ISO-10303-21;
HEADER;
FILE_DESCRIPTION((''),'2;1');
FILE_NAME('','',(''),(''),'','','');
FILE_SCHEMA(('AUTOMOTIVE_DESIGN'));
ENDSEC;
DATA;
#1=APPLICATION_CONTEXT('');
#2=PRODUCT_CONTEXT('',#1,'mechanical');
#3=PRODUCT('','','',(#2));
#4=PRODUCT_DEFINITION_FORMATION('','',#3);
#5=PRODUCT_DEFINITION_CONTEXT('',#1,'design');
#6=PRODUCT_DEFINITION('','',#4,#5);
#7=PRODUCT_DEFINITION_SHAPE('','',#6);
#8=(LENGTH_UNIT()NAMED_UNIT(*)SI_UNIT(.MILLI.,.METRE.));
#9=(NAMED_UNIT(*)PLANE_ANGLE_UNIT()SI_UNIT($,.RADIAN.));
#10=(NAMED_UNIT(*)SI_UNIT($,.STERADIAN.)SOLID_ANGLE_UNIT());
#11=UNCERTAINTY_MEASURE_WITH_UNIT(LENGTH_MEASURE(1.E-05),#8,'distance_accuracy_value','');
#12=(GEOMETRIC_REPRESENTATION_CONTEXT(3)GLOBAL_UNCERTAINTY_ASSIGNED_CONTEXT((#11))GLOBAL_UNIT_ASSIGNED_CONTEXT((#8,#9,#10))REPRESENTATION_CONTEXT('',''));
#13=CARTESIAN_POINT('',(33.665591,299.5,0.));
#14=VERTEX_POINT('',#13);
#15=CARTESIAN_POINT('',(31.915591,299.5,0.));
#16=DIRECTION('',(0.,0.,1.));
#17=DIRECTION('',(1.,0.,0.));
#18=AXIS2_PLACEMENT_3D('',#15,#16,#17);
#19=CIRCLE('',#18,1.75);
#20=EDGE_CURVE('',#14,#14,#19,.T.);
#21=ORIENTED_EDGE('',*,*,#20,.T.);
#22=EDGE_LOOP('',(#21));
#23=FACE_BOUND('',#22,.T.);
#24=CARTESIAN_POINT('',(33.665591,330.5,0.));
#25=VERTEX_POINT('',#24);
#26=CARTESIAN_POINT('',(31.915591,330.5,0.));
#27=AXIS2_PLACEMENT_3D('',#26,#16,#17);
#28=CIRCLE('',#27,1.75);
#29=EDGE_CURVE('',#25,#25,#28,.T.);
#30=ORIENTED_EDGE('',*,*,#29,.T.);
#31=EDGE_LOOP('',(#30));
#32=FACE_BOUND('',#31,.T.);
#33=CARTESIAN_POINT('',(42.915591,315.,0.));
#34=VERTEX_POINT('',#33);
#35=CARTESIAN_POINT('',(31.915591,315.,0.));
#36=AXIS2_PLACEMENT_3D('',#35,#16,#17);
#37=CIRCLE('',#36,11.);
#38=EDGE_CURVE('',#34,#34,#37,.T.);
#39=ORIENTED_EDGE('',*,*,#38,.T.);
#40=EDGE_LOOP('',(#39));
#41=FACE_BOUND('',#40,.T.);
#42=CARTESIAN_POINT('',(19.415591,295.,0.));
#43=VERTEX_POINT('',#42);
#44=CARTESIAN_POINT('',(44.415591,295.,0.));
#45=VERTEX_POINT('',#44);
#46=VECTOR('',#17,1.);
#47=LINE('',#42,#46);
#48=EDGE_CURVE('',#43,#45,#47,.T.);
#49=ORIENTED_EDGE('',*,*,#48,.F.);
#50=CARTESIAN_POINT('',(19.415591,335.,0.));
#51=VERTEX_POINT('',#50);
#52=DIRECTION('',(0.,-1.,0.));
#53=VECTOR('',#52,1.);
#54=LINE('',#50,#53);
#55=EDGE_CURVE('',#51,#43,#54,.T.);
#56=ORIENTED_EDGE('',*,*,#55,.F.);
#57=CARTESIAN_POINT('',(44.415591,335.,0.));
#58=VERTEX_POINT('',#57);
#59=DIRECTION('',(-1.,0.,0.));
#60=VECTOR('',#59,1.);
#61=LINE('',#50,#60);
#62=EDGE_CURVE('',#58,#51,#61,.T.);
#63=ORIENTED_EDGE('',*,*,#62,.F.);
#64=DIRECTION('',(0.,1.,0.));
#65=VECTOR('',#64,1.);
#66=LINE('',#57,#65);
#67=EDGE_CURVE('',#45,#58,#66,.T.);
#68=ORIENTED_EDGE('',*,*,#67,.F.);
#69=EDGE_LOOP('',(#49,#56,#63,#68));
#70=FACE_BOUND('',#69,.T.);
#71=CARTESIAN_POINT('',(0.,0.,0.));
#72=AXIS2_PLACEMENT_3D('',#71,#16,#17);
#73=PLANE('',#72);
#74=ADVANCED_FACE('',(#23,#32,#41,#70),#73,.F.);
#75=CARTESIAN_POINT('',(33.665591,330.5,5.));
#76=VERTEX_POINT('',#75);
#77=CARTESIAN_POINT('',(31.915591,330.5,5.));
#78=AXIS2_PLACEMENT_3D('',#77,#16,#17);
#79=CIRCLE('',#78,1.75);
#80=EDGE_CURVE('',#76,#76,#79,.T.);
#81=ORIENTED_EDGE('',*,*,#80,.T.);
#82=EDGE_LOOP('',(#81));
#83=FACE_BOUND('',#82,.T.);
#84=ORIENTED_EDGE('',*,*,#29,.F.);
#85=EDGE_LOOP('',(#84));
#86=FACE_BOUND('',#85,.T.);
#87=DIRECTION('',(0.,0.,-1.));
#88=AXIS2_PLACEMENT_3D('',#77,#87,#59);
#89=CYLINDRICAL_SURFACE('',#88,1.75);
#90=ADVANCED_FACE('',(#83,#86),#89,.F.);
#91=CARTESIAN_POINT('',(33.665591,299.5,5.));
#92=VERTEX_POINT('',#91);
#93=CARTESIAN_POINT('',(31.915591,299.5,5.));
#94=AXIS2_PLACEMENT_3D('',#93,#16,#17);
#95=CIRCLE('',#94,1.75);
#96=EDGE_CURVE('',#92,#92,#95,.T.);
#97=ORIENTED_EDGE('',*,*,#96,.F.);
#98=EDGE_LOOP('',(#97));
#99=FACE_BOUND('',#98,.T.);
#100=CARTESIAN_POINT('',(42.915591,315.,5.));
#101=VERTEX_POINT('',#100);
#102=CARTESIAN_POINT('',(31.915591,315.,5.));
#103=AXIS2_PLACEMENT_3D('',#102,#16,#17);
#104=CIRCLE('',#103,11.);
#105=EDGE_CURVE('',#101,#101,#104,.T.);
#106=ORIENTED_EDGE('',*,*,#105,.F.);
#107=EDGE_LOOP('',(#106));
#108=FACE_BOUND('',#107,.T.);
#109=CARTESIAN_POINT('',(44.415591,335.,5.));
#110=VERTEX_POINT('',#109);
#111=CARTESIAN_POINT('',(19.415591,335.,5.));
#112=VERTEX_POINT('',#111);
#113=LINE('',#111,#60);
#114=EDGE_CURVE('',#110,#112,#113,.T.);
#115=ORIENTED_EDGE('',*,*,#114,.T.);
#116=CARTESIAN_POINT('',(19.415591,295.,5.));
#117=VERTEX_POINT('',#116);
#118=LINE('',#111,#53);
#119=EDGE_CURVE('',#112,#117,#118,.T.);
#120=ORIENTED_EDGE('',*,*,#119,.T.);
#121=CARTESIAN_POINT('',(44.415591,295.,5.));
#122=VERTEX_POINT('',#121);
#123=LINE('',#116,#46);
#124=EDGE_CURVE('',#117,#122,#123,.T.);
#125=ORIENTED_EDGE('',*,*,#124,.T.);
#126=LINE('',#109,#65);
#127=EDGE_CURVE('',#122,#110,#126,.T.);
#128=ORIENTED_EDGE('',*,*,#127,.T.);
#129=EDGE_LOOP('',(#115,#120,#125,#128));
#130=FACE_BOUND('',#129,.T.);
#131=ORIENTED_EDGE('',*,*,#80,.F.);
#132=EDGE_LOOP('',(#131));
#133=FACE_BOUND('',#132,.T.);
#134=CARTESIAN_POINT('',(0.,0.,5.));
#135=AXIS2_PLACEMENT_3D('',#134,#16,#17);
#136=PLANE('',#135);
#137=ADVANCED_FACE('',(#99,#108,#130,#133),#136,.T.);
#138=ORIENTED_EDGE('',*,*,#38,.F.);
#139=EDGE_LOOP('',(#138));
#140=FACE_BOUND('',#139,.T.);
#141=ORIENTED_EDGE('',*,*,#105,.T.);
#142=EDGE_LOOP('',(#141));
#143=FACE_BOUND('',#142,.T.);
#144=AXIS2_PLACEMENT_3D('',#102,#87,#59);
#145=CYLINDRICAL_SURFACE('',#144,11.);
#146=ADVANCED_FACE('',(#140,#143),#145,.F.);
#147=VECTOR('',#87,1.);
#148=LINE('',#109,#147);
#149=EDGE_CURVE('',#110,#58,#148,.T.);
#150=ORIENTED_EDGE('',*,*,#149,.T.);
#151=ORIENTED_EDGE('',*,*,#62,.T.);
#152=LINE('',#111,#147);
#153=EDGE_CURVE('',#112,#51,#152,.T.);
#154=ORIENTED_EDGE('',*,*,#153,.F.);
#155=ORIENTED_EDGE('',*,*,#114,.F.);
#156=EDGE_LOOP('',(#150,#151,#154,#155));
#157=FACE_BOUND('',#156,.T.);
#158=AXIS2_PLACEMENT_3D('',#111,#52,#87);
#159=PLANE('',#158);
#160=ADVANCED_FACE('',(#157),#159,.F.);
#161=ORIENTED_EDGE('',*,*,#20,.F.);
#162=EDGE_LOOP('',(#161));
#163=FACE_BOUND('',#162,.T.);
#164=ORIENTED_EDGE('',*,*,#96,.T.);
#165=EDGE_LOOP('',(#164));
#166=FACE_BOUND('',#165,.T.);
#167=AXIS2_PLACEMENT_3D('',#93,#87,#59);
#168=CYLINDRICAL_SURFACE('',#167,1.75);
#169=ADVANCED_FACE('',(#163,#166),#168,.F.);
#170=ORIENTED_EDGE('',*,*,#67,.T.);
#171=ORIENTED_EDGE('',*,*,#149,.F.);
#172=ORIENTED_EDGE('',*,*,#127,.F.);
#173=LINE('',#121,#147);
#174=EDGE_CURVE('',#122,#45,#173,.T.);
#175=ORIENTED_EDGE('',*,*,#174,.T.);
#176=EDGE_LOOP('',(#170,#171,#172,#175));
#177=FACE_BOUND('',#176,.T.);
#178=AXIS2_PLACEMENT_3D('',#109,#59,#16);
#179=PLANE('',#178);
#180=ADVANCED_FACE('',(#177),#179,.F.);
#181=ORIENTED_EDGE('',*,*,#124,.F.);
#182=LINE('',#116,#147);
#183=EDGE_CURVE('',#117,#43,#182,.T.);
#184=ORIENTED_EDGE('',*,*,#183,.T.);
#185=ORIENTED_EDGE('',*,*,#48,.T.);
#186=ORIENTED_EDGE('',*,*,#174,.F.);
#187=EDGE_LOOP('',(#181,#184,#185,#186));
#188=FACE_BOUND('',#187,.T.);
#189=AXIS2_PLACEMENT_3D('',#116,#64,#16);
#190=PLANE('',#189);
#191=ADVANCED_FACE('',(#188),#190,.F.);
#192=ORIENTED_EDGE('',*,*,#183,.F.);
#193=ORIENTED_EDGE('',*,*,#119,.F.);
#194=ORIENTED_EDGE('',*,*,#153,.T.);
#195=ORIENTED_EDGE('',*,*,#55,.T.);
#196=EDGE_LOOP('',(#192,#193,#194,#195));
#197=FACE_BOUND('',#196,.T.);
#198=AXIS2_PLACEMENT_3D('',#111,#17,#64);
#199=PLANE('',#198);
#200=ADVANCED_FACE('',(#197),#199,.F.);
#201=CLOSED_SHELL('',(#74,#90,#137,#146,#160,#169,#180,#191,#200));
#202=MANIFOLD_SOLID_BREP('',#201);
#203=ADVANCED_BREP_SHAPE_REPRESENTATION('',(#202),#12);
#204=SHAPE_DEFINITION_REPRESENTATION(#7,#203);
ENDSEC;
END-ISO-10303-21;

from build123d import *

# Parameters (mm, degrees)
SKETCH1_W           = 25
SKETCH1_H           = 40
SKETCH1_R           = 11
SKETCH1_R_2         = 1.75
BOSS_EXTRUDE1_DEPTH = 5


with BuildPart() as part:
    # Sketch1 → Boss-Extrude1 (new body)
    with BuildSketch(Plane.XY):
        with Locations((31.915591248, 315)):
            Rectangle(SKETCH1_W, SKETCH1_H)
        with Locations((31.915591248, 315)):
            Circle(SKETCH1_R, mode=Mode.SUBTRACT)
        with Locations((31.915591248, 330.5)):
            Circle(SKETCH1_R_2, mode=Mode.SUBTRACT)
        with Locations((31.915591248, 299.5)):
            Circle(SKETCH1_R_2, mode=Mode.SUBTRACT)
    extrude(amount=BOSS_EXTRUDE1_DEPTH)


solid = part.part
